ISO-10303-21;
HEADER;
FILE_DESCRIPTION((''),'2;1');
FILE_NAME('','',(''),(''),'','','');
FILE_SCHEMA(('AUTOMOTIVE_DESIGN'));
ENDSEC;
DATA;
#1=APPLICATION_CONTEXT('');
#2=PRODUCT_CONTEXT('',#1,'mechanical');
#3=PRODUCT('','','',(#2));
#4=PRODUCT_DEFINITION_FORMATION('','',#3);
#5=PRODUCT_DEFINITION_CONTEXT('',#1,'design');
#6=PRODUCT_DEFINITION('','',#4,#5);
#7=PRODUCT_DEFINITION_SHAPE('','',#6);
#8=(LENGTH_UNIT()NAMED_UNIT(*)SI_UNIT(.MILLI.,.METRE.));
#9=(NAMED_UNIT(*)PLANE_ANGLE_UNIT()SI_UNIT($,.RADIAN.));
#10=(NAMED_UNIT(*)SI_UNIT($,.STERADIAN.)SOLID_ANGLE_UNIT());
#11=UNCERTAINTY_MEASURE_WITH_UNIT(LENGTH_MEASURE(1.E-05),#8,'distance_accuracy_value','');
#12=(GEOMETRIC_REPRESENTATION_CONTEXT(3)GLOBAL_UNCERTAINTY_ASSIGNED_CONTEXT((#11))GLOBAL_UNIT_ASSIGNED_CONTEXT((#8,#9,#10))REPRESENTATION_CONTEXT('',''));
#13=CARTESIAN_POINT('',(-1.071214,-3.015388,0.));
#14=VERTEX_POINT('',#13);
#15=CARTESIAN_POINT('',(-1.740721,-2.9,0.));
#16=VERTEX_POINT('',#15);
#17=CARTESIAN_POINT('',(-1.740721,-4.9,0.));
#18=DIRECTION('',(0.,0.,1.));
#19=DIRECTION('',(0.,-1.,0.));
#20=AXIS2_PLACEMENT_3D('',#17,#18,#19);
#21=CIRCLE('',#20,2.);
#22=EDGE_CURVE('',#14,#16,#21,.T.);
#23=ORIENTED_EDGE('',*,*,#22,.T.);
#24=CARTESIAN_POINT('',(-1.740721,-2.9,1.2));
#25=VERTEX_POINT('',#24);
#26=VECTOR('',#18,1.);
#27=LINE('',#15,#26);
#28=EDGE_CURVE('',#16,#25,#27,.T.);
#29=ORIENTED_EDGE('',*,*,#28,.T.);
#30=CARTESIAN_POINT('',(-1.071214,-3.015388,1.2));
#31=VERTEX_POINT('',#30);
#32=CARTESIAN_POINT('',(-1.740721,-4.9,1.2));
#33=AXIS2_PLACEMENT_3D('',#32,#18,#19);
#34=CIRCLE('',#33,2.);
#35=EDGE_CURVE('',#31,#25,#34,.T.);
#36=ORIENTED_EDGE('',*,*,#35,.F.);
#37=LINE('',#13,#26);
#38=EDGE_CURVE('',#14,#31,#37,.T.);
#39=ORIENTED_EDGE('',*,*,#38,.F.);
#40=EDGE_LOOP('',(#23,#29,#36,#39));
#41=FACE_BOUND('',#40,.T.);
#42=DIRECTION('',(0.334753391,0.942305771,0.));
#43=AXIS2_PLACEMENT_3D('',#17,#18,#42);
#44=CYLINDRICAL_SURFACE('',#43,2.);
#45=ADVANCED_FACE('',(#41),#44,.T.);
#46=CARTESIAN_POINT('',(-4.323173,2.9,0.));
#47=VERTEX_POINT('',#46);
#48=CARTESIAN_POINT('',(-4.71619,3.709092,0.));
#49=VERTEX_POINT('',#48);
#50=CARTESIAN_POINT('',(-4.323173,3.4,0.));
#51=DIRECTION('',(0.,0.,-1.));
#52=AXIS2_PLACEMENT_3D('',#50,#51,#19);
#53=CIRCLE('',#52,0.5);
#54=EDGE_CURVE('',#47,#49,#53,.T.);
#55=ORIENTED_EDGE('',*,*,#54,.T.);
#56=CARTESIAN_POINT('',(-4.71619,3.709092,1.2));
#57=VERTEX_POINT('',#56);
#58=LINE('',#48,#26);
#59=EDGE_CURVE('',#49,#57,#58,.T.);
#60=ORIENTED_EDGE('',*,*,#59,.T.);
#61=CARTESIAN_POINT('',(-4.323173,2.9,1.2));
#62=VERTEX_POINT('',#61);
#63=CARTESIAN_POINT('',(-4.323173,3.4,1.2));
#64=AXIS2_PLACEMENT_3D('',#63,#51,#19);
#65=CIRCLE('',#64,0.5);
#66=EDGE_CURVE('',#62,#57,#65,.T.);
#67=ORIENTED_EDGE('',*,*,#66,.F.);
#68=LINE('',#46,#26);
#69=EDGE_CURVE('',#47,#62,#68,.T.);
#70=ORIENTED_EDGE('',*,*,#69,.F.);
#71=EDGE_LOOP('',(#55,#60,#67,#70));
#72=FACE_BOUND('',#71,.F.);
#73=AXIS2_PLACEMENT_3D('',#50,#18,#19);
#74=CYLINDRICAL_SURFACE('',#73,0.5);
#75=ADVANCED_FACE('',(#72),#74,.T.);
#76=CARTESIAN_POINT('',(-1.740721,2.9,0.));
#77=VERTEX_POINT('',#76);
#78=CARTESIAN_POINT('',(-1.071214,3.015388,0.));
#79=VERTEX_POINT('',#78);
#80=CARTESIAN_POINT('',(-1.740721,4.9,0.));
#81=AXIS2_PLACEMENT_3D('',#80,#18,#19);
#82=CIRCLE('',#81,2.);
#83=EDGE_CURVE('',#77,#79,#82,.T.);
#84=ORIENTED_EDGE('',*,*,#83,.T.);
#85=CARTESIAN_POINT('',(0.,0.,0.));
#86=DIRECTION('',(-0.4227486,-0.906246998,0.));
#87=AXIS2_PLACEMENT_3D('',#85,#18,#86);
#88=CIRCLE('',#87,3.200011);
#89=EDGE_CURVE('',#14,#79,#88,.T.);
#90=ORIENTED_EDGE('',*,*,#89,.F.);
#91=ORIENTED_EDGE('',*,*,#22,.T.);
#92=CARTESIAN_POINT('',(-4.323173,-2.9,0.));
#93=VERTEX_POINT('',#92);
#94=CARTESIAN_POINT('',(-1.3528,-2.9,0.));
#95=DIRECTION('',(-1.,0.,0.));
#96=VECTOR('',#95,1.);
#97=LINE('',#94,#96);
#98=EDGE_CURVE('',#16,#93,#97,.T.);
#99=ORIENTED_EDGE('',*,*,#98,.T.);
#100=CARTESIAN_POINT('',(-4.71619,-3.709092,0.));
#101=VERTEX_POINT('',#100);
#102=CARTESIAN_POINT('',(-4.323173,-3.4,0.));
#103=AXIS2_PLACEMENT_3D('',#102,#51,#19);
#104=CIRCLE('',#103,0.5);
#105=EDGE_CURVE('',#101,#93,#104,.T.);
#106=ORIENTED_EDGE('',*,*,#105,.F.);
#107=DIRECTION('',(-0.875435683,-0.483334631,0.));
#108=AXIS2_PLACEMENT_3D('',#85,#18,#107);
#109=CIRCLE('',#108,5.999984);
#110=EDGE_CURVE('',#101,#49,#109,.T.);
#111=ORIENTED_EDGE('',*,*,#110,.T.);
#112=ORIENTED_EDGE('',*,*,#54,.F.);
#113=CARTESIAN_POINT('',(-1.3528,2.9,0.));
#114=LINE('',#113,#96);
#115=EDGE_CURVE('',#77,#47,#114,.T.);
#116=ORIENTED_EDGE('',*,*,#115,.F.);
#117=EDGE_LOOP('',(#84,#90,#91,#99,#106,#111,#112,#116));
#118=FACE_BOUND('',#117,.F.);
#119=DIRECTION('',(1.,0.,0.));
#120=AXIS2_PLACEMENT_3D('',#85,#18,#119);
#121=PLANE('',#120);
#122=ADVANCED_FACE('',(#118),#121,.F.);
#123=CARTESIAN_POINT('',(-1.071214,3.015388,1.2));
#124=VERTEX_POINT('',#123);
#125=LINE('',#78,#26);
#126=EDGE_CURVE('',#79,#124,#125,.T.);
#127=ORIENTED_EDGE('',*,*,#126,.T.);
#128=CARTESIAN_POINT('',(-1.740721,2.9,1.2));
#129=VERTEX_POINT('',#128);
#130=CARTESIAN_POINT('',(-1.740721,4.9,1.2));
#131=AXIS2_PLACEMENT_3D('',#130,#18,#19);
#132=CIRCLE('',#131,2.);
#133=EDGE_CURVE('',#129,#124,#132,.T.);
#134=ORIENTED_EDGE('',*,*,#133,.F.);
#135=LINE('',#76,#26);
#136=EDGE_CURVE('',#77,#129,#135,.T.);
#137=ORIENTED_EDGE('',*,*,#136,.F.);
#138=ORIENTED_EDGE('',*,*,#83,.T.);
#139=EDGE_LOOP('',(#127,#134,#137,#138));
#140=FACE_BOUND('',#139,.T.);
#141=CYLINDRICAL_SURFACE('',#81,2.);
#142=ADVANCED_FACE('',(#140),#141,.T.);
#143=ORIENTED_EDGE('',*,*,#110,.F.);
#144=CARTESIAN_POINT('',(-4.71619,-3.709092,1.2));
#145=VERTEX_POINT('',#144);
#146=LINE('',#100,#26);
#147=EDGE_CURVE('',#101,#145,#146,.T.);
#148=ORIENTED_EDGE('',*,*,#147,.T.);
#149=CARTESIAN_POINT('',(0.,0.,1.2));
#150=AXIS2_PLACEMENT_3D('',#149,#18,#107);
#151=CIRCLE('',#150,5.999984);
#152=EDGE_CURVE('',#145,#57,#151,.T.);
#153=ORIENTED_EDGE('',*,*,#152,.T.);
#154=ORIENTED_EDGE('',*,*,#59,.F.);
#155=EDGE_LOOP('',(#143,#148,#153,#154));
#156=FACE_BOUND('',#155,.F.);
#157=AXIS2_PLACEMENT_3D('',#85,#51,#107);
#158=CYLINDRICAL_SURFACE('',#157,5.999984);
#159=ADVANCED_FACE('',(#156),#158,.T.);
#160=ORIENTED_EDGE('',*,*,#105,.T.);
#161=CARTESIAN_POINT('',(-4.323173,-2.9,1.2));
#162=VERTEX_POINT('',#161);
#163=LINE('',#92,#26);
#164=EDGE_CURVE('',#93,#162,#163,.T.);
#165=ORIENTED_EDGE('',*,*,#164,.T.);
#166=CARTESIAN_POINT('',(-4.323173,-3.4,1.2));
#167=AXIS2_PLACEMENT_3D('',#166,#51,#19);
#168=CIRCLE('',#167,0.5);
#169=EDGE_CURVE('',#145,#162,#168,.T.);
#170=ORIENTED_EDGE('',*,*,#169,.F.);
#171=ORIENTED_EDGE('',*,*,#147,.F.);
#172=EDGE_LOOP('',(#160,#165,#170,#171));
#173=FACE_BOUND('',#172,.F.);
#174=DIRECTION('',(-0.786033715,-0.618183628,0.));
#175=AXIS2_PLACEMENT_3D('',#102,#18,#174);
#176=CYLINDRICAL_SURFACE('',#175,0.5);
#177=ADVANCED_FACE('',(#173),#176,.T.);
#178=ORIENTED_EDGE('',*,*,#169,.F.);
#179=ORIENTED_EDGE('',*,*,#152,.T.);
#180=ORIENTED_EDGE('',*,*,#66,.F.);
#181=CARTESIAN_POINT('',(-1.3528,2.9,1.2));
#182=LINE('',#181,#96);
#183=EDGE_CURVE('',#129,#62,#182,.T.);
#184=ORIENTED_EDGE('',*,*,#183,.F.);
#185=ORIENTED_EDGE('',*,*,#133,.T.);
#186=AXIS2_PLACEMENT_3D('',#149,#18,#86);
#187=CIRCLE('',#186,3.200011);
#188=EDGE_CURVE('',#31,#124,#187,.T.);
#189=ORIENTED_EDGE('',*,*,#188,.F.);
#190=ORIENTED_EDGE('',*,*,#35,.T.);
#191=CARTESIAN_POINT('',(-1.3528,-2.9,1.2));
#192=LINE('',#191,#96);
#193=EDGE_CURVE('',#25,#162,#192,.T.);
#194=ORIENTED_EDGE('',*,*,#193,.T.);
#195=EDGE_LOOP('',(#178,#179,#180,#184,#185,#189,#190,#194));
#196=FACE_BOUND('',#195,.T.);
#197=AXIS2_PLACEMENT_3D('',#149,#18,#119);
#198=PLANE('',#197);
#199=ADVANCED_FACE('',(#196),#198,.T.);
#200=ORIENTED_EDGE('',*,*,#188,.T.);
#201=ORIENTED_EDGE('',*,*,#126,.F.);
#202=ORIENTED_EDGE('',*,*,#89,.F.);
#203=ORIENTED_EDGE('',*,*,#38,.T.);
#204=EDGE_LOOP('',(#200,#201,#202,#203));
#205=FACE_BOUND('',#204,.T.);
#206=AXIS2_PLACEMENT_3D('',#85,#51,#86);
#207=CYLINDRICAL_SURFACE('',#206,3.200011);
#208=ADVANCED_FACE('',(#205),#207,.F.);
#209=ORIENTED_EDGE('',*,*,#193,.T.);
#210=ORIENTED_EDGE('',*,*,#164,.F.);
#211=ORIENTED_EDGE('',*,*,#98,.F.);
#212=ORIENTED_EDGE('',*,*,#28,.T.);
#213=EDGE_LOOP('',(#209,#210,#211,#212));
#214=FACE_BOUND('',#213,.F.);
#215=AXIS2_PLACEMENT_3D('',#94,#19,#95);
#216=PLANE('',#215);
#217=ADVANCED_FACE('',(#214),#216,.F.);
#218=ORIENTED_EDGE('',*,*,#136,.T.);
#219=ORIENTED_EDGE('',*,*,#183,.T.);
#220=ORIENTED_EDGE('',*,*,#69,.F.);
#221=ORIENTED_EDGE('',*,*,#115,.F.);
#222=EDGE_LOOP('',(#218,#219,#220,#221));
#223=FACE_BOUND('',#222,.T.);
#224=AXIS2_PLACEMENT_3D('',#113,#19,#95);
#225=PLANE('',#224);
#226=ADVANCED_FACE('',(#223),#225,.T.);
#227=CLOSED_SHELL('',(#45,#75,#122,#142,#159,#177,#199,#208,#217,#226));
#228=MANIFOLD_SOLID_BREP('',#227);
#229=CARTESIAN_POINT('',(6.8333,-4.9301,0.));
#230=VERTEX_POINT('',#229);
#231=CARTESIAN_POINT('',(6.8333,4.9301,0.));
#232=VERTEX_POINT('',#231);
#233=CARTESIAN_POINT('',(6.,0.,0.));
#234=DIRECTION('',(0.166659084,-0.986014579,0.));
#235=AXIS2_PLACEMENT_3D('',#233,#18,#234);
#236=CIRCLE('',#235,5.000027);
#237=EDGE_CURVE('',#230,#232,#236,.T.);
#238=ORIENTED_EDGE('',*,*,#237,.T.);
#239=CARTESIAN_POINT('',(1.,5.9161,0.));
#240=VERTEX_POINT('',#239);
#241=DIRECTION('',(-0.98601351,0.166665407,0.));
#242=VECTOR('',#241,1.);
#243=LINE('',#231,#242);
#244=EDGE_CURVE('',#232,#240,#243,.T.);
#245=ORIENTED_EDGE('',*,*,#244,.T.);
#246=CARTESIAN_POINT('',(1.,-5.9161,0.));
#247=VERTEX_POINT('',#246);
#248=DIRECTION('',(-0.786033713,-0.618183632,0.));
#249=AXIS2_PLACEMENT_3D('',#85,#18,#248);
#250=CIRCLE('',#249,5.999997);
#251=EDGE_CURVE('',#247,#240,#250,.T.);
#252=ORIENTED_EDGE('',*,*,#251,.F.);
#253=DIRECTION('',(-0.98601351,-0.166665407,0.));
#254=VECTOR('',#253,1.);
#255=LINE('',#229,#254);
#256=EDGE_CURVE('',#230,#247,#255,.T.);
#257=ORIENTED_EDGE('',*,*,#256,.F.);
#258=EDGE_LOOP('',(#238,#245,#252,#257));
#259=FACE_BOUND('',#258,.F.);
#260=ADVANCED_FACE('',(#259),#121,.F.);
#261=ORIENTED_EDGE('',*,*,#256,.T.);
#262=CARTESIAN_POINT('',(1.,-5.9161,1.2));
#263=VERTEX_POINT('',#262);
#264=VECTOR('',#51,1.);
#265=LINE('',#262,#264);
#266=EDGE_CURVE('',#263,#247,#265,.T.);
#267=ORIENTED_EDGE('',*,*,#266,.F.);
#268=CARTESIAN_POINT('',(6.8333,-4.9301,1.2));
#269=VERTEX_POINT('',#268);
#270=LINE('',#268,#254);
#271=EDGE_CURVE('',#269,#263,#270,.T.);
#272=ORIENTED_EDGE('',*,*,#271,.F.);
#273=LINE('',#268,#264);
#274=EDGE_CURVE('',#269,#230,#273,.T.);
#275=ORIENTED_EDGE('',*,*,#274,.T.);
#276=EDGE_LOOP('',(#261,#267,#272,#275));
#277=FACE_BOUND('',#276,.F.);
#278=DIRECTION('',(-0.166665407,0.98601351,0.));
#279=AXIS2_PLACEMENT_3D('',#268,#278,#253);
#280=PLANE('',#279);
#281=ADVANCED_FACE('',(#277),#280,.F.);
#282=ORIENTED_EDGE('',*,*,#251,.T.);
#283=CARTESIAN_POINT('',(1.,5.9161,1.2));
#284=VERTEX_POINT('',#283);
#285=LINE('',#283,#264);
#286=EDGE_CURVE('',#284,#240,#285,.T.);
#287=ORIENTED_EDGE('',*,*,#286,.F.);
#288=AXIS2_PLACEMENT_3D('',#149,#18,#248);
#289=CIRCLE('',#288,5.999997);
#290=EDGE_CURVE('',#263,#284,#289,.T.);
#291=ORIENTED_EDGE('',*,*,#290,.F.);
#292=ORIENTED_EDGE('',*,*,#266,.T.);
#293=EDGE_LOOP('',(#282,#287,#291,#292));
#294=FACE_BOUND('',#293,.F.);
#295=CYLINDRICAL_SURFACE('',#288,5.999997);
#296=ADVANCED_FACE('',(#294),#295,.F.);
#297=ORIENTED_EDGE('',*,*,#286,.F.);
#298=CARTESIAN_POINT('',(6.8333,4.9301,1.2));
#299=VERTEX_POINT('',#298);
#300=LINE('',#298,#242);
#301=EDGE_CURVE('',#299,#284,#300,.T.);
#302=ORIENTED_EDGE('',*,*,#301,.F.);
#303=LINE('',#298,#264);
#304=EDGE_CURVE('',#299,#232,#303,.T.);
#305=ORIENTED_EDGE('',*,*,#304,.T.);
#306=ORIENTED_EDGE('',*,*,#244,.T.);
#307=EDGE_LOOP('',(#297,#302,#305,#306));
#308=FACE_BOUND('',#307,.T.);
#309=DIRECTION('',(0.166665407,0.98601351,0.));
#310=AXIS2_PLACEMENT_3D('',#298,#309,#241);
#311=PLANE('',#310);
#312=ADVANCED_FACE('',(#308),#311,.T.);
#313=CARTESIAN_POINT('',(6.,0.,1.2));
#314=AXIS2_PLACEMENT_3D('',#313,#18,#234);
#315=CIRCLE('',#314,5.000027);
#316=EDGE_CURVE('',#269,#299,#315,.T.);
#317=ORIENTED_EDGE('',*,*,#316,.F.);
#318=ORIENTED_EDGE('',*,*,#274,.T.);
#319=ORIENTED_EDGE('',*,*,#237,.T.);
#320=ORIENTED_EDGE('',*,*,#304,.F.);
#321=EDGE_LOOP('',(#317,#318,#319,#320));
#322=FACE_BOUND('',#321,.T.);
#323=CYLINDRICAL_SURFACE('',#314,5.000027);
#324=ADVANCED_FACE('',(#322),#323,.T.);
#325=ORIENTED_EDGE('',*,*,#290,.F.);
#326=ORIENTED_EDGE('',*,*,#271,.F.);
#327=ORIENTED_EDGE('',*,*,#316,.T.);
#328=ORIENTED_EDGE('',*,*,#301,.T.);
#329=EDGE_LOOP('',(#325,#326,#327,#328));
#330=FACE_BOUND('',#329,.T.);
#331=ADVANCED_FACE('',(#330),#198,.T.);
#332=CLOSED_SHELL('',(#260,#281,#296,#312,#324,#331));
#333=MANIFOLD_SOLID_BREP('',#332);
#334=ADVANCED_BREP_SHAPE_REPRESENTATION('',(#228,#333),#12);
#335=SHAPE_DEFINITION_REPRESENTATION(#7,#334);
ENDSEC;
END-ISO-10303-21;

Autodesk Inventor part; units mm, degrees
ref_plane "YZ Plane" through (0, 0, 0) normal (1, 0, 0) x (0, 1, 0)
ref_plane "XZ Plane" through (0, 0, 0) normal (0, 1, 0) x (-1, 0, 0)
ref_plane "XY Plane" through (0, 0, 0) normal (0, 0, 1) x (1, 0, 0)
sketch "Sketch1" plane through (0, 0, 0) normal (0, 0, 1) x (1, 0, 0)
  arc A0 (-1.3528, -2.9) -> (-1.3528, 2.9) centre (0, 0) ccw
  arc A1 (-5.2526, -2.9) -> (-5.2526, 2.9) centre (0, 0) ccw
  line L0 (-1.3528, 2.9) -> (-5.2526, 2.9)
  line L1 (-1.3528, -2.9) -> (-5.2526, -2.9)
  dimension "d0" = 6.4
  dimension "d1" = 12
  dimension "d2" = 5.8
  dimension "d3" = 2.9
extrude "Extrusion1" add sketch "Sketch1" along normal blind 1.2
fillet "Fillet1" radius 0.5 2 edges at (-5.2526, 2.9, 0.6) (-5.2526, -2.9, 0.6)
fillet "Fillet2" radius 2 2 edges at (-1.3528, 2.9, 0.6) (-1.3528, -2.9, 0.6)
sketch "Sketch2" plane through (0, 0, 1.2) normal (0, 0, 1) x (1, 0, 0)
  arc A0 (-4.7162, -3.7091) -> (-4.7162, 3.7091) centre (0, 0) ccw projected
  arc A1 (6.8333, -4.9301) -> (6.8333, 4.9301) centre (6, 0) ccw
  line L0 (6.8333, 4.9301) -> (1, 5.9161)
  line L1 (6.8333, -4.9301) -> (1, -5.9161)
  dimension "d8" = 10
extrude "Extrusion2" add sketch "Sketch2" against normal up to surface (1.2 mm away)
equation "\"d3\" = 0.5 * d2"
properties part number "BowdenConnectorPlayClip"
